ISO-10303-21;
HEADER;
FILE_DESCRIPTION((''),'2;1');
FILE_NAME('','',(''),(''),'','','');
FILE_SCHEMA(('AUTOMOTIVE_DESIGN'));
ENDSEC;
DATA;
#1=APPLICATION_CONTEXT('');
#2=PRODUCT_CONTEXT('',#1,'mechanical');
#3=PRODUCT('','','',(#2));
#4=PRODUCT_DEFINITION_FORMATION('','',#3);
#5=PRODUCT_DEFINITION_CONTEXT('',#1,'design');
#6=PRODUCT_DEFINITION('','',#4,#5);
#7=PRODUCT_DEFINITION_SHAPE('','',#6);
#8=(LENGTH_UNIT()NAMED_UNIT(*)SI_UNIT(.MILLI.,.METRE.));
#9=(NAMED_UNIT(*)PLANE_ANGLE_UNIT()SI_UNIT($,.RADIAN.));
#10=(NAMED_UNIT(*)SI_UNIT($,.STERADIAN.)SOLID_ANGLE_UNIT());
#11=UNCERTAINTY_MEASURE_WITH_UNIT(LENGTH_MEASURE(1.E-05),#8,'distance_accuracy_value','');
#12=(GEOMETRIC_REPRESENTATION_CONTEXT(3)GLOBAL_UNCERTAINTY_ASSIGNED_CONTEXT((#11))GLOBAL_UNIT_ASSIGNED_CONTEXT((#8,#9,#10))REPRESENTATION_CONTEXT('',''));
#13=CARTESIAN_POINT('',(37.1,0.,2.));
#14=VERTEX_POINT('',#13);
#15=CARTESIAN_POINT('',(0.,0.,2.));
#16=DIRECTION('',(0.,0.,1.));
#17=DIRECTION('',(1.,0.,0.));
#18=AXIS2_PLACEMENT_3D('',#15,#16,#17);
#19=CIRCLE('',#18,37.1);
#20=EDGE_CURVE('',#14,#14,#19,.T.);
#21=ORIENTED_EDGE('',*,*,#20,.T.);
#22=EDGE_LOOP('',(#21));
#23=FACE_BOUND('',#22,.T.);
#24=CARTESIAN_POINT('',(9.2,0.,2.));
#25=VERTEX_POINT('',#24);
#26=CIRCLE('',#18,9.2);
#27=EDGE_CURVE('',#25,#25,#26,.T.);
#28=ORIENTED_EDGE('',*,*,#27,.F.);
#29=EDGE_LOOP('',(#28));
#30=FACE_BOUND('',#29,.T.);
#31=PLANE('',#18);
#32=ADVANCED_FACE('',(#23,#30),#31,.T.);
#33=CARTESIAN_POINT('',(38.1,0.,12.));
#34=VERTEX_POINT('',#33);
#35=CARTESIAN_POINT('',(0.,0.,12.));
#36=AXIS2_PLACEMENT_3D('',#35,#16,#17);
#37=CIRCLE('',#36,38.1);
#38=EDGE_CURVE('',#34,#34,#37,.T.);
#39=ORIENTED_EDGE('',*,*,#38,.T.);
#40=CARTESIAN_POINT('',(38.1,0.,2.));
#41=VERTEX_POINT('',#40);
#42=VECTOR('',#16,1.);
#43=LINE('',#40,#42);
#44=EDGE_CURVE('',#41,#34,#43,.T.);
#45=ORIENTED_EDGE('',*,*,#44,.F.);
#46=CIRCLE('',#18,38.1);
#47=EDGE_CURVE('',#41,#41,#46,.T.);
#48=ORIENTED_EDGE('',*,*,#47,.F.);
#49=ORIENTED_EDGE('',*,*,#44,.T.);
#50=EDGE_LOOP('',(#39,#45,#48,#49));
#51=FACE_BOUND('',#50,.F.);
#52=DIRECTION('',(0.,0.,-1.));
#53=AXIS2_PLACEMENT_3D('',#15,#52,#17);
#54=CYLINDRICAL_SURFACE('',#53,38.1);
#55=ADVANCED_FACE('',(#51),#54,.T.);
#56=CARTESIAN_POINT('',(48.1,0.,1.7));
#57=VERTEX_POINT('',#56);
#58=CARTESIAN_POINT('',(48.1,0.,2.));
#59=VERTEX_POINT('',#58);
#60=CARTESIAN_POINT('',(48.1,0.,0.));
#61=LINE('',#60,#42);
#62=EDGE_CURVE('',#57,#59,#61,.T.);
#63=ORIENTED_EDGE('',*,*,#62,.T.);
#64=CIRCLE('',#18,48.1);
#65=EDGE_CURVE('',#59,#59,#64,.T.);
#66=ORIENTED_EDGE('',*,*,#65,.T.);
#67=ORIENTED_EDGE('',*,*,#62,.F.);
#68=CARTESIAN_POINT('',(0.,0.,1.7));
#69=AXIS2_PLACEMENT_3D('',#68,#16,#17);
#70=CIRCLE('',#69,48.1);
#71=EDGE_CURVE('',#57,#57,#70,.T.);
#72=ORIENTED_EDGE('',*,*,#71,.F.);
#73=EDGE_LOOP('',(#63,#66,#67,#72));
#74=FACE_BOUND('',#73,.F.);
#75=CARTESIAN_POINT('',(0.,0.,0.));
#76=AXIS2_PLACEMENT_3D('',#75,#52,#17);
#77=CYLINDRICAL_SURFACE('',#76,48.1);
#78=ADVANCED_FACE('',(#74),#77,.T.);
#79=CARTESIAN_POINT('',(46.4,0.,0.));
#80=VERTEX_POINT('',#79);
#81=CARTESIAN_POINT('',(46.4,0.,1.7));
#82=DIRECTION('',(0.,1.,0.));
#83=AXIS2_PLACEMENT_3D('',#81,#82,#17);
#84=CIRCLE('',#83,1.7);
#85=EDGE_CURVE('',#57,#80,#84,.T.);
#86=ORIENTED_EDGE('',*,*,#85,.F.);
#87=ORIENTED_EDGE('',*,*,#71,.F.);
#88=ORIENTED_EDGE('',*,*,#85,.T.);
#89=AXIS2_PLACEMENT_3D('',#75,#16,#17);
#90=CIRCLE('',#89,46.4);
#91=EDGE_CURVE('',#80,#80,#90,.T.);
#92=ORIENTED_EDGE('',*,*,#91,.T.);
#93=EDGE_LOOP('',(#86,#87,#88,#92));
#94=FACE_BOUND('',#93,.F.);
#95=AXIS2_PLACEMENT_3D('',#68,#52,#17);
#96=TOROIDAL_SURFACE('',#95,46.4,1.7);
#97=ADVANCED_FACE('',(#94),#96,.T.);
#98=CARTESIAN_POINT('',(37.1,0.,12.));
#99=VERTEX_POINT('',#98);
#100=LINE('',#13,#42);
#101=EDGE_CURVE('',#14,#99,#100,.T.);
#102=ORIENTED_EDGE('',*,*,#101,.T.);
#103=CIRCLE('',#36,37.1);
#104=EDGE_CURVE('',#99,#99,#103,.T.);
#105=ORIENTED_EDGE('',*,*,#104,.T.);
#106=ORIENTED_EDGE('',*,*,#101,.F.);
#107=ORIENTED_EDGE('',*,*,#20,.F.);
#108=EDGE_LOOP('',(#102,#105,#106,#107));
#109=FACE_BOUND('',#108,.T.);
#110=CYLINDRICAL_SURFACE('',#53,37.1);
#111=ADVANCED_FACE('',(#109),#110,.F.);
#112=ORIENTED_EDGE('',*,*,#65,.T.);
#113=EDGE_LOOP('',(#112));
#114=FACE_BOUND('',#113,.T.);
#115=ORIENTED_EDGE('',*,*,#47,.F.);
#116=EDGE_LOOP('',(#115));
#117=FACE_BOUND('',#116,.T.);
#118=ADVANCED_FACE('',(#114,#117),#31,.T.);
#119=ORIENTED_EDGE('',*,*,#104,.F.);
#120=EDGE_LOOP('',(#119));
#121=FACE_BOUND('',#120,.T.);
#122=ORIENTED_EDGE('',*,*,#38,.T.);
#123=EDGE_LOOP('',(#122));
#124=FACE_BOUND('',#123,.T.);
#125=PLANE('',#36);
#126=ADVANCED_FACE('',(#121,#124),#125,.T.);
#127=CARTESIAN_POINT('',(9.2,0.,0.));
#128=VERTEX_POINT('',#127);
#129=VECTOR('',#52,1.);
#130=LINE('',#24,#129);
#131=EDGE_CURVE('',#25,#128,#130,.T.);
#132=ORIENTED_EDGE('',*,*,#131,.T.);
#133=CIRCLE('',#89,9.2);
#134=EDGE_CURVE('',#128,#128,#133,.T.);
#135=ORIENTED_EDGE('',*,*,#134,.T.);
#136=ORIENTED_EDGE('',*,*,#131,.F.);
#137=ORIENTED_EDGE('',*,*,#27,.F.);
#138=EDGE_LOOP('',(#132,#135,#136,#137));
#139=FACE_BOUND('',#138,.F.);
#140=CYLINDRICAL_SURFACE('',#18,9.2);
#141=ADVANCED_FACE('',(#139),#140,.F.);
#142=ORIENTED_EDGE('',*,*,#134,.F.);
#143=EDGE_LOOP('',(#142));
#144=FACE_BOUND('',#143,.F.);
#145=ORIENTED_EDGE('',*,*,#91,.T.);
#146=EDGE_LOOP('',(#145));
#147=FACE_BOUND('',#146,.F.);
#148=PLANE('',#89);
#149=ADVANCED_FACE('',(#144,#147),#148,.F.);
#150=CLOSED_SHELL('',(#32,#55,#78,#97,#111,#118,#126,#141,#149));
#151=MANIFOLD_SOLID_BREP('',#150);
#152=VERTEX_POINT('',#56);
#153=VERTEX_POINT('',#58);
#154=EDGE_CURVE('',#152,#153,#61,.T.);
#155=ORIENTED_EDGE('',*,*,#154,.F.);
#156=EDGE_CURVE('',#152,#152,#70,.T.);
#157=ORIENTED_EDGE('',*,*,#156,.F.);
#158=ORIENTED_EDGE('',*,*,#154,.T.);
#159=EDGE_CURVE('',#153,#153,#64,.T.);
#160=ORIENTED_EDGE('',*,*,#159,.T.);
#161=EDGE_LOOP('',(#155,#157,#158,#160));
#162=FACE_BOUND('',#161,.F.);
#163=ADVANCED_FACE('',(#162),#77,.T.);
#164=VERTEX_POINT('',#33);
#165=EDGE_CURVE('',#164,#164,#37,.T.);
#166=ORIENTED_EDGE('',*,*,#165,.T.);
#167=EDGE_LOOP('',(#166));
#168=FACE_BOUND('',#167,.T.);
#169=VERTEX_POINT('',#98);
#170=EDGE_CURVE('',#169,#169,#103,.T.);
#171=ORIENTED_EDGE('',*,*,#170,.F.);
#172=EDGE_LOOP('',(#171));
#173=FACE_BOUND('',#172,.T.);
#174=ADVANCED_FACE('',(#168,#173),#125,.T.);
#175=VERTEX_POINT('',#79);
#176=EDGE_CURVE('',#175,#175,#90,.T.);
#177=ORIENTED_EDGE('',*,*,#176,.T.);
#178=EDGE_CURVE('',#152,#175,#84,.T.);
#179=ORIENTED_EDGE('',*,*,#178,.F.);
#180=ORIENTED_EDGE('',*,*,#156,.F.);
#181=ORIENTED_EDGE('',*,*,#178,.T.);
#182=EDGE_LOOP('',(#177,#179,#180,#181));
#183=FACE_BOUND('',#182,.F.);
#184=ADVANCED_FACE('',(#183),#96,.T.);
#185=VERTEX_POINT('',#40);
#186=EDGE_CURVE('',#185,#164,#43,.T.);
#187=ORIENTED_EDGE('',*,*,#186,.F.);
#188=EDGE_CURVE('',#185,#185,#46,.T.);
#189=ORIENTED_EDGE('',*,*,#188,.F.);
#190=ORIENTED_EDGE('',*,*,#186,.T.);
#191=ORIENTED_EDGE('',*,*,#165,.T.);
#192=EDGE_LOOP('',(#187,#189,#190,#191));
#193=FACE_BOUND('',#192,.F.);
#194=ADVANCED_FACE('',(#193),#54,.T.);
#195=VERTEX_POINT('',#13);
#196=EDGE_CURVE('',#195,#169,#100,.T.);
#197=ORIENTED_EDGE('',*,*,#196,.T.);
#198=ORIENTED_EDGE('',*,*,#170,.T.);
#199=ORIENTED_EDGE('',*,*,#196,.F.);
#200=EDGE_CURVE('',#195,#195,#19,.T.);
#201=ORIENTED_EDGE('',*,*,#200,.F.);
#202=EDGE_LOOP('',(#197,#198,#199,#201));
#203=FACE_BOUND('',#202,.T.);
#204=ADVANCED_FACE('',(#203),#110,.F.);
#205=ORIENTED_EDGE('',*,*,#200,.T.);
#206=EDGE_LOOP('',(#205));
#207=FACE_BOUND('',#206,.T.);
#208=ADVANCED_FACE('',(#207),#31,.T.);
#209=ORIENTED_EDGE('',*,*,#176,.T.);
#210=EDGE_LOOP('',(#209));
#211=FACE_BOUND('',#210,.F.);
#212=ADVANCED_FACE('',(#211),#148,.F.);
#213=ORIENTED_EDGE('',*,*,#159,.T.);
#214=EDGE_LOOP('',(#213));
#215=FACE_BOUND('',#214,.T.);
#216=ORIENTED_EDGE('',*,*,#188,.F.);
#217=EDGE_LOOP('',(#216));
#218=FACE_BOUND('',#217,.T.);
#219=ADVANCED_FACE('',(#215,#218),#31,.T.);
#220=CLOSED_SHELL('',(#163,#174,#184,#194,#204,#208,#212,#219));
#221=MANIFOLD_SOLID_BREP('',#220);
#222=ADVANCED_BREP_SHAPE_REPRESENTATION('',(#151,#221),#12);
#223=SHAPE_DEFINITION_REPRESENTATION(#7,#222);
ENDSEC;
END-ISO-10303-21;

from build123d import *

# Parameters (mm, degrees)
SKETCH_R      = 48.1
PAD_DEPTH     = 2
FILLET_R      = 1.7
SKETCH001_R   = 38.1
SKETCH001_R_2 = 37.1
PAD001_DEPTH  = 10
SKETCH002_R   = 48.1
PAD002_DEPTH  = 2
FILLET001_R   = 1.7
SKETCH003_R   = 38.1
SKETCH003_R_2 = 37.1
PAD003_DEPTH  = 10
SKETCH004_R   = 9.2
POCKET_DEPTH  = 2.001


with BuildPart() as capbody:
    # Sketch → Pad (new body)
    with BuildSketch(Plane.XY):
        Circle(SKETCH_R)
    extrude(amount=PAD_DEPTH)

    # Fillet
    fillet_edges = [capbody.edges().sort_by_distance(p)[0] for p in [
        (-48.1, 0, 0),
    ]]
    fillet(fillet_edges, radius=FILLET_R)

    # Sketch001 (on Face3 of Fillet) → Pad001 (join)
    with BuildSketch(Plane.XY.offset(2)):
        Circle(SKETCH001_R)
        Circle(SKETCH001_R_2, mode=Mode.SUBTRACT)
    extrude(amount=PAD001_DEPTH)


with BuildPart() as capbody001:
    # Sketch002 → Pad002 (new body)
    with BuildSketch(Plane.XY):
        Circle(SKETCH002_R)
    extrude(amount=PAD002_DEPTH)

    # Fillet001
    fillet001_edges = [capbody001.edges().sort_by_distance(p)[0] for p in [
        (-48.1, 0, 0),
    ]]
    fillet(fillet001_edges, radius=FILLET001_R)

    # Sketch003 (on Face3 of Fillet001) → Pad003 (join)
    with BuildSketch(Plane.XY.offset(2)):
        Circle(SKETCH003_R)
        Circle(SKETCH003_R_2, mode=Mode.SUBTRACT)
    extrude(amount=PAD003_DEPTH)

    # Sketch004 (on Face8 of Pad003) → Pocket (cut, through all)
    with BuildSketch(Plane.XY.offset(2)):
        Circle(SKETCH004_R)
    extrude(amount=-POCKET_DEPTH, mode=Mode.SUBTRACT)


solid = Compound([capbody.part, capbody001.part])
